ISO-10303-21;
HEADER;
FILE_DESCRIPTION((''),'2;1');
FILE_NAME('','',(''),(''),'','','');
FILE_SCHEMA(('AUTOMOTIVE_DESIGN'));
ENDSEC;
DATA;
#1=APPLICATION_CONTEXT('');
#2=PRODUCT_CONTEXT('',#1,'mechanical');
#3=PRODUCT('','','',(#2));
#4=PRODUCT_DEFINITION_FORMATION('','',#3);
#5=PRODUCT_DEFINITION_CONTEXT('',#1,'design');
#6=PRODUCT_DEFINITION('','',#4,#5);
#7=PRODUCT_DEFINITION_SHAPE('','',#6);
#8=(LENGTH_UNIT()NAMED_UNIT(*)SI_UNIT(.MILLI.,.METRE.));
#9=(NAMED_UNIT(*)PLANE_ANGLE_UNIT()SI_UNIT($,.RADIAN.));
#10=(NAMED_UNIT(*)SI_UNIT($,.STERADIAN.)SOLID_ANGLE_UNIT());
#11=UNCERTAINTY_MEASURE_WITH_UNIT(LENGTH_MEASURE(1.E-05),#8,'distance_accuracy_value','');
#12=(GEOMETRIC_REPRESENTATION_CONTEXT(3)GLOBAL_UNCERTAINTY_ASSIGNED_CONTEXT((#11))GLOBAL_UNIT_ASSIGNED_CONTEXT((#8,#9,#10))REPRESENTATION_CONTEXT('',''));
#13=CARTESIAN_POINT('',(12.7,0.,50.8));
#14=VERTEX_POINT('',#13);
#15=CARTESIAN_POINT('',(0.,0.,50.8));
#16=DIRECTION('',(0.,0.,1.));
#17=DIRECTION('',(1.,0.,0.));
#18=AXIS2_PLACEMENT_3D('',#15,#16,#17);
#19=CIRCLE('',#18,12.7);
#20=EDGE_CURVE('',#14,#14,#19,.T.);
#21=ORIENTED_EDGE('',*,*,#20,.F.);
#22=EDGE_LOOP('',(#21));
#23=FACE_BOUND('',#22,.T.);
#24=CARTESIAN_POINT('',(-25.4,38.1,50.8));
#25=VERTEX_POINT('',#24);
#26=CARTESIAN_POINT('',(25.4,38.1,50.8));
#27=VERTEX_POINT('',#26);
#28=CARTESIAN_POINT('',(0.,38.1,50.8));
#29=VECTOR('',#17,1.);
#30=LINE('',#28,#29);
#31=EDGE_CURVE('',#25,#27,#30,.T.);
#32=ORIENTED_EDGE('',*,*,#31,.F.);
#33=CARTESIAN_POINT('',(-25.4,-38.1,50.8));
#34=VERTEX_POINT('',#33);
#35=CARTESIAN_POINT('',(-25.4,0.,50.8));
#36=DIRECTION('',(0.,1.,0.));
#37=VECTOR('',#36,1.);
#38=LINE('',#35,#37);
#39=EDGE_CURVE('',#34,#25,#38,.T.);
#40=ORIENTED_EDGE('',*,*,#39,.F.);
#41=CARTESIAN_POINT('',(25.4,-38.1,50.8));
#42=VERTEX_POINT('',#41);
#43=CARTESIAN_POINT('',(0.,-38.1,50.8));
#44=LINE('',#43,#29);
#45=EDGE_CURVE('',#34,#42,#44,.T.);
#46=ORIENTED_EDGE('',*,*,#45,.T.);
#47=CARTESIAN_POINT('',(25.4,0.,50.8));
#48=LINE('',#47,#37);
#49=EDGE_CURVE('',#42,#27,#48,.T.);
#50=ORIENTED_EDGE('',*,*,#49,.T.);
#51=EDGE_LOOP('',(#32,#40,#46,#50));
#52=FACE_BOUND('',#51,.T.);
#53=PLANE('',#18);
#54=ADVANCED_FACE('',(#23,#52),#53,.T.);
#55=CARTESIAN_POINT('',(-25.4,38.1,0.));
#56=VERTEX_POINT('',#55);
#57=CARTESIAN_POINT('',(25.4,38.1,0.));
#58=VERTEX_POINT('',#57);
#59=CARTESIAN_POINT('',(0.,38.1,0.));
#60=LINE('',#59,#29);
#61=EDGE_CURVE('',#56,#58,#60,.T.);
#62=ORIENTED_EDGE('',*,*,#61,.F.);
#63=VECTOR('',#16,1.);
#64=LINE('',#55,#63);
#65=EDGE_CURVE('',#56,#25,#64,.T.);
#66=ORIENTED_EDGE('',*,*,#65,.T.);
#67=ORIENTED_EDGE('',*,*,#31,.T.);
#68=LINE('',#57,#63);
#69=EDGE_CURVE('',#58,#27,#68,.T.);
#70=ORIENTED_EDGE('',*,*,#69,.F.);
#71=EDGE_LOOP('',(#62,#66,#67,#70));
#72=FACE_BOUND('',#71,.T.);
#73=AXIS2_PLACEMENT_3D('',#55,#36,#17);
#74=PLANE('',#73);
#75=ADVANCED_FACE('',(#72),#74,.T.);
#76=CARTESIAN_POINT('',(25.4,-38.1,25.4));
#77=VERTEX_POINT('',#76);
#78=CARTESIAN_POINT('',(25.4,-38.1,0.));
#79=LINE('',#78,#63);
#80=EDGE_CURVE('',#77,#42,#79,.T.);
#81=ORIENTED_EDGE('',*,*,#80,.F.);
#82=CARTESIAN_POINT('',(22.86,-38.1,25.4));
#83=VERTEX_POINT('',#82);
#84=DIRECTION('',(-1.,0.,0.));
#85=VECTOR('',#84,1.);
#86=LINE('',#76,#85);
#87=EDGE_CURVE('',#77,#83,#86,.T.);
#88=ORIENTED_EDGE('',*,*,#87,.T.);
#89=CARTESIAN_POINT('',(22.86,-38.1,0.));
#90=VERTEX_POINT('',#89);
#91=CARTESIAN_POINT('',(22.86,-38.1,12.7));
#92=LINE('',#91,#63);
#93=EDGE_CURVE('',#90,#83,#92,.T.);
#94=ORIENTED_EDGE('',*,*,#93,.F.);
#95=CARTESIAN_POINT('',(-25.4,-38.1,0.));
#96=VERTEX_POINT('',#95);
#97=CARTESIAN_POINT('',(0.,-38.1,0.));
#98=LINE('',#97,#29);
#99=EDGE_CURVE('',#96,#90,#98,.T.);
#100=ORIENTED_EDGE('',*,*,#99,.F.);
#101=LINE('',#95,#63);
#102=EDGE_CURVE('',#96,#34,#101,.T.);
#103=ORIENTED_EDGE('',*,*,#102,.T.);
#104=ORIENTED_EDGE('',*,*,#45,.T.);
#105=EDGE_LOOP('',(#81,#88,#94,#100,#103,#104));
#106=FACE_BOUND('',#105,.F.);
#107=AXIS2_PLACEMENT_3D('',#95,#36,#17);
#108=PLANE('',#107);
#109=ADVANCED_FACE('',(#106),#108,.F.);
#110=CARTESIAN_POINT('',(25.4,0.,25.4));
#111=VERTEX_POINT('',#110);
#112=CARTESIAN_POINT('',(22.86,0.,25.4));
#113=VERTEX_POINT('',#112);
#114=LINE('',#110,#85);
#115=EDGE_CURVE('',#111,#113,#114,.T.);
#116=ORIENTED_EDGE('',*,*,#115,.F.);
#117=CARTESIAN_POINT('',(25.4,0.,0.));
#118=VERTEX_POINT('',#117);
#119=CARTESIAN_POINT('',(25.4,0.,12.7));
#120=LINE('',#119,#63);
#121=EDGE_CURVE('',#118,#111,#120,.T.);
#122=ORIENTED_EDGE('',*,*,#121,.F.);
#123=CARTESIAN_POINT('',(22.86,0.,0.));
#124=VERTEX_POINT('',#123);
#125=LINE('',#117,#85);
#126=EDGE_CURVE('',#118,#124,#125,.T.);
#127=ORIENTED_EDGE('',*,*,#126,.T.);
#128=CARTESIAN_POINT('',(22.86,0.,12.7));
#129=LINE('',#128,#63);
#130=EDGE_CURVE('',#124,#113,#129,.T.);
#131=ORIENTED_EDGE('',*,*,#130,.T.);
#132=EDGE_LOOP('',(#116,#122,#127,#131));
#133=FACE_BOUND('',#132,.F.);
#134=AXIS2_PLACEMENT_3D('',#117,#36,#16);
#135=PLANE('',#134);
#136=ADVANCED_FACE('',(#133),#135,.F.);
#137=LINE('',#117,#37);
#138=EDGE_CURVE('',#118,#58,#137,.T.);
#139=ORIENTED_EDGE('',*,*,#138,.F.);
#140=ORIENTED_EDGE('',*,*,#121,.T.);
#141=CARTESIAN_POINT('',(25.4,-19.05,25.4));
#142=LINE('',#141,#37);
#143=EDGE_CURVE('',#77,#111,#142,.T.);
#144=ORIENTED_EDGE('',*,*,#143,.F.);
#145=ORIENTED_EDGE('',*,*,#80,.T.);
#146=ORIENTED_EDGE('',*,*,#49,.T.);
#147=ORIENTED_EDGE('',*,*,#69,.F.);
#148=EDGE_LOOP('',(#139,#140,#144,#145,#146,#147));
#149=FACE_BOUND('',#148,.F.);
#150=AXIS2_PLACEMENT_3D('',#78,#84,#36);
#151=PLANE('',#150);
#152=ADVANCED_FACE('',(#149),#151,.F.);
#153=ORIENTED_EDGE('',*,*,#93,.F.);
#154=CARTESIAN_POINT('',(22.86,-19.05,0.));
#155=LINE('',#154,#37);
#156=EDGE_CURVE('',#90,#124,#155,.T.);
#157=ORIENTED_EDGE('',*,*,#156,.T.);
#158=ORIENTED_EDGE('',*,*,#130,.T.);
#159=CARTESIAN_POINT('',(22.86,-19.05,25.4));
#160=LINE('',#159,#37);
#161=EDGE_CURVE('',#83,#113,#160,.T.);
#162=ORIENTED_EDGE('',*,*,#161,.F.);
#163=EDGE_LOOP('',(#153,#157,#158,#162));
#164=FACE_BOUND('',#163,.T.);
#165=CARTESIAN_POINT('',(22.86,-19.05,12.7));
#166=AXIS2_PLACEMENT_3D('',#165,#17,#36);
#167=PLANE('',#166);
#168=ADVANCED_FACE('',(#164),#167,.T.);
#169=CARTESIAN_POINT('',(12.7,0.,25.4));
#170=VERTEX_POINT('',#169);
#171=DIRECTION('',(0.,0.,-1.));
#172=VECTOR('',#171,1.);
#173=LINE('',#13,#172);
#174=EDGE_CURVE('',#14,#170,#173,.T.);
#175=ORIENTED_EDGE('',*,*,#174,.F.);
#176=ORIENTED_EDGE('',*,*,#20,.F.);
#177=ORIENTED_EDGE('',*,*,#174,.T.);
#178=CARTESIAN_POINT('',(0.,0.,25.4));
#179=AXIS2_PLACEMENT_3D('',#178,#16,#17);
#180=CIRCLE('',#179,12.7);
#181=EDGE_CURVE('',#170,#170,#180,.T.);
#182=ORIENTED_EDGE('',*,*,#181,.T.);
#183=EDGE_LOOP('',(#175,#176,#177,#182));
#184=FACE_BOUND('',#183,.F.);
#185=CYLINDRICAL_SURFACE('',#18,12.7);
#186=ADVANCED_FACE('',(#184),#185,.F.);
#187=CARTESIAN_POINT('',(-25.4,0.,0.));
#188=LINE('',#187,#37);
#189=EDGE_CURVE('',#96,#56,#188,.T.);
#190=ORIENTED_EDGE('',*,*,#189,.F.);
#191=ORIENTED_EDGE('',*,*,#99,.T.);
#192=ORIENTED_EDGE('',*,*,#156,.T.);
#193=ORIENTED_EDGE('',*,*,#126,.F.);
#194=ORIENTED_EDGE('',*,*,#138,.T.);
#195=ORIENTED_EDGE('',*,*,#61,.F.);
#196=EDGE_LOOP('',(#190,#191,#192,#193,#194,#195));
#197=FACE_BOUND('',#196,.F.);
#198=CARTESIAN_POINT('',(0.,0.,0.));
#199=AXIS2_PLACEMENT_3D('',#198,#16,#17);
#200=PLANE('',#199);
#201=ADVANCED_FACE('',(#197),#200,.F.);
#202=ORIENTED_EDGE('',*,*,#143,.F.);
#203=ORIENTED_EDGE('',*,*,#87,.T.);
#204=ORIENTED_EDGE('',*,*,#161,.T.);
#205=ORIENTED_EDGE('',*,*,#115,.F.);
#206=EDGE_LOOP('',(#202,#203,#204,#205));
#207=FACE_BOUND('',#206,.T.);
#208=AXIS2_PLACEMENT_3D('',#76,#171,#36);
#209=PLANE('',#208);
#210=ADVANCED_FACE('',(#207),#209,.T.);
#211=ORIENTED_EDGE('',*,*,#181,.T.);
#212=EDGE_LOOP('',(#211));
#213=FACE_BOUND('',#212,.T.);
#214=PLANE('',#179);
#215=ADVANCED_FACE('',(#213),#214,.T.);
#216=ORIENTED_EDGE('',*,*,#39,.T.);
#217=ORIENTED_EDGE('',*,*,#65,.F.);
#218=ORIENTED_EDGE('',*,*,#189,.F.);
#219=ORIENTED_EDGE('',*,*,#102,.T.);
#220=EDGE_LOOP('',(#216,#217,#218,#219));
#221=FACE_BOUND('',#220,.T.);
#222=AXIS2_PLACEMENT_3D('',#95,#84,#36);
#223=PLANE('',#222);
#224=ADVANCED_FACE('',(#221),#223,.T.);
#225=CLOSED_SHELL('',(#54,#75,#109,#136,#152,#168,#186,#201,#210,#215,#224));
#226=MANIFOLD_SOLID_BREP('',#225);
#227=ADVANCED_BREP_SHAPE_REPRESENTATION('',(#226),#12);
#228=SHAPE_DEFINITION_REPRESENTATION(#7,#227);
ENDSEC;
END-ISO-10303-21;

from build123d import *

# Parameters (mm, degrees)
F0_W     = 50.8
F0_H     = 76.2
F1_DEPTH = 50.8
F2_R     = 12.7
F3_DEPTH = 25.4
F4_W     = 38.1
F4_H     = 25.4
F5_DEPTH = 2.54


with BuildPart() as f1:
    # F0 (on Top) → F1 (new body)
    with BuildSketch(Plane.XY):
        Rectangle(F0_W, F0_H)
    extrude(amount=F1_DEPTH)

    # F2 (on face) → F3 (cut)
    with BuildSketch(Plane.XY.offset(50.8)):
        Circle(F2_R)
    extrude(amount=-F3_DEPTH, mode=Mode.SUBTRACT)

    # F4 (on face) → F5 (cut)
    with BuildSketch(Plane.YZ.offset(25.4)):
        with Locations((-19.05, 12.7)):
            Rectangle(F4_W, F4_H)
    extrude(amount=-F5_DEPTH, mode=Mode.SUBTRACT)


solid = f1.part
